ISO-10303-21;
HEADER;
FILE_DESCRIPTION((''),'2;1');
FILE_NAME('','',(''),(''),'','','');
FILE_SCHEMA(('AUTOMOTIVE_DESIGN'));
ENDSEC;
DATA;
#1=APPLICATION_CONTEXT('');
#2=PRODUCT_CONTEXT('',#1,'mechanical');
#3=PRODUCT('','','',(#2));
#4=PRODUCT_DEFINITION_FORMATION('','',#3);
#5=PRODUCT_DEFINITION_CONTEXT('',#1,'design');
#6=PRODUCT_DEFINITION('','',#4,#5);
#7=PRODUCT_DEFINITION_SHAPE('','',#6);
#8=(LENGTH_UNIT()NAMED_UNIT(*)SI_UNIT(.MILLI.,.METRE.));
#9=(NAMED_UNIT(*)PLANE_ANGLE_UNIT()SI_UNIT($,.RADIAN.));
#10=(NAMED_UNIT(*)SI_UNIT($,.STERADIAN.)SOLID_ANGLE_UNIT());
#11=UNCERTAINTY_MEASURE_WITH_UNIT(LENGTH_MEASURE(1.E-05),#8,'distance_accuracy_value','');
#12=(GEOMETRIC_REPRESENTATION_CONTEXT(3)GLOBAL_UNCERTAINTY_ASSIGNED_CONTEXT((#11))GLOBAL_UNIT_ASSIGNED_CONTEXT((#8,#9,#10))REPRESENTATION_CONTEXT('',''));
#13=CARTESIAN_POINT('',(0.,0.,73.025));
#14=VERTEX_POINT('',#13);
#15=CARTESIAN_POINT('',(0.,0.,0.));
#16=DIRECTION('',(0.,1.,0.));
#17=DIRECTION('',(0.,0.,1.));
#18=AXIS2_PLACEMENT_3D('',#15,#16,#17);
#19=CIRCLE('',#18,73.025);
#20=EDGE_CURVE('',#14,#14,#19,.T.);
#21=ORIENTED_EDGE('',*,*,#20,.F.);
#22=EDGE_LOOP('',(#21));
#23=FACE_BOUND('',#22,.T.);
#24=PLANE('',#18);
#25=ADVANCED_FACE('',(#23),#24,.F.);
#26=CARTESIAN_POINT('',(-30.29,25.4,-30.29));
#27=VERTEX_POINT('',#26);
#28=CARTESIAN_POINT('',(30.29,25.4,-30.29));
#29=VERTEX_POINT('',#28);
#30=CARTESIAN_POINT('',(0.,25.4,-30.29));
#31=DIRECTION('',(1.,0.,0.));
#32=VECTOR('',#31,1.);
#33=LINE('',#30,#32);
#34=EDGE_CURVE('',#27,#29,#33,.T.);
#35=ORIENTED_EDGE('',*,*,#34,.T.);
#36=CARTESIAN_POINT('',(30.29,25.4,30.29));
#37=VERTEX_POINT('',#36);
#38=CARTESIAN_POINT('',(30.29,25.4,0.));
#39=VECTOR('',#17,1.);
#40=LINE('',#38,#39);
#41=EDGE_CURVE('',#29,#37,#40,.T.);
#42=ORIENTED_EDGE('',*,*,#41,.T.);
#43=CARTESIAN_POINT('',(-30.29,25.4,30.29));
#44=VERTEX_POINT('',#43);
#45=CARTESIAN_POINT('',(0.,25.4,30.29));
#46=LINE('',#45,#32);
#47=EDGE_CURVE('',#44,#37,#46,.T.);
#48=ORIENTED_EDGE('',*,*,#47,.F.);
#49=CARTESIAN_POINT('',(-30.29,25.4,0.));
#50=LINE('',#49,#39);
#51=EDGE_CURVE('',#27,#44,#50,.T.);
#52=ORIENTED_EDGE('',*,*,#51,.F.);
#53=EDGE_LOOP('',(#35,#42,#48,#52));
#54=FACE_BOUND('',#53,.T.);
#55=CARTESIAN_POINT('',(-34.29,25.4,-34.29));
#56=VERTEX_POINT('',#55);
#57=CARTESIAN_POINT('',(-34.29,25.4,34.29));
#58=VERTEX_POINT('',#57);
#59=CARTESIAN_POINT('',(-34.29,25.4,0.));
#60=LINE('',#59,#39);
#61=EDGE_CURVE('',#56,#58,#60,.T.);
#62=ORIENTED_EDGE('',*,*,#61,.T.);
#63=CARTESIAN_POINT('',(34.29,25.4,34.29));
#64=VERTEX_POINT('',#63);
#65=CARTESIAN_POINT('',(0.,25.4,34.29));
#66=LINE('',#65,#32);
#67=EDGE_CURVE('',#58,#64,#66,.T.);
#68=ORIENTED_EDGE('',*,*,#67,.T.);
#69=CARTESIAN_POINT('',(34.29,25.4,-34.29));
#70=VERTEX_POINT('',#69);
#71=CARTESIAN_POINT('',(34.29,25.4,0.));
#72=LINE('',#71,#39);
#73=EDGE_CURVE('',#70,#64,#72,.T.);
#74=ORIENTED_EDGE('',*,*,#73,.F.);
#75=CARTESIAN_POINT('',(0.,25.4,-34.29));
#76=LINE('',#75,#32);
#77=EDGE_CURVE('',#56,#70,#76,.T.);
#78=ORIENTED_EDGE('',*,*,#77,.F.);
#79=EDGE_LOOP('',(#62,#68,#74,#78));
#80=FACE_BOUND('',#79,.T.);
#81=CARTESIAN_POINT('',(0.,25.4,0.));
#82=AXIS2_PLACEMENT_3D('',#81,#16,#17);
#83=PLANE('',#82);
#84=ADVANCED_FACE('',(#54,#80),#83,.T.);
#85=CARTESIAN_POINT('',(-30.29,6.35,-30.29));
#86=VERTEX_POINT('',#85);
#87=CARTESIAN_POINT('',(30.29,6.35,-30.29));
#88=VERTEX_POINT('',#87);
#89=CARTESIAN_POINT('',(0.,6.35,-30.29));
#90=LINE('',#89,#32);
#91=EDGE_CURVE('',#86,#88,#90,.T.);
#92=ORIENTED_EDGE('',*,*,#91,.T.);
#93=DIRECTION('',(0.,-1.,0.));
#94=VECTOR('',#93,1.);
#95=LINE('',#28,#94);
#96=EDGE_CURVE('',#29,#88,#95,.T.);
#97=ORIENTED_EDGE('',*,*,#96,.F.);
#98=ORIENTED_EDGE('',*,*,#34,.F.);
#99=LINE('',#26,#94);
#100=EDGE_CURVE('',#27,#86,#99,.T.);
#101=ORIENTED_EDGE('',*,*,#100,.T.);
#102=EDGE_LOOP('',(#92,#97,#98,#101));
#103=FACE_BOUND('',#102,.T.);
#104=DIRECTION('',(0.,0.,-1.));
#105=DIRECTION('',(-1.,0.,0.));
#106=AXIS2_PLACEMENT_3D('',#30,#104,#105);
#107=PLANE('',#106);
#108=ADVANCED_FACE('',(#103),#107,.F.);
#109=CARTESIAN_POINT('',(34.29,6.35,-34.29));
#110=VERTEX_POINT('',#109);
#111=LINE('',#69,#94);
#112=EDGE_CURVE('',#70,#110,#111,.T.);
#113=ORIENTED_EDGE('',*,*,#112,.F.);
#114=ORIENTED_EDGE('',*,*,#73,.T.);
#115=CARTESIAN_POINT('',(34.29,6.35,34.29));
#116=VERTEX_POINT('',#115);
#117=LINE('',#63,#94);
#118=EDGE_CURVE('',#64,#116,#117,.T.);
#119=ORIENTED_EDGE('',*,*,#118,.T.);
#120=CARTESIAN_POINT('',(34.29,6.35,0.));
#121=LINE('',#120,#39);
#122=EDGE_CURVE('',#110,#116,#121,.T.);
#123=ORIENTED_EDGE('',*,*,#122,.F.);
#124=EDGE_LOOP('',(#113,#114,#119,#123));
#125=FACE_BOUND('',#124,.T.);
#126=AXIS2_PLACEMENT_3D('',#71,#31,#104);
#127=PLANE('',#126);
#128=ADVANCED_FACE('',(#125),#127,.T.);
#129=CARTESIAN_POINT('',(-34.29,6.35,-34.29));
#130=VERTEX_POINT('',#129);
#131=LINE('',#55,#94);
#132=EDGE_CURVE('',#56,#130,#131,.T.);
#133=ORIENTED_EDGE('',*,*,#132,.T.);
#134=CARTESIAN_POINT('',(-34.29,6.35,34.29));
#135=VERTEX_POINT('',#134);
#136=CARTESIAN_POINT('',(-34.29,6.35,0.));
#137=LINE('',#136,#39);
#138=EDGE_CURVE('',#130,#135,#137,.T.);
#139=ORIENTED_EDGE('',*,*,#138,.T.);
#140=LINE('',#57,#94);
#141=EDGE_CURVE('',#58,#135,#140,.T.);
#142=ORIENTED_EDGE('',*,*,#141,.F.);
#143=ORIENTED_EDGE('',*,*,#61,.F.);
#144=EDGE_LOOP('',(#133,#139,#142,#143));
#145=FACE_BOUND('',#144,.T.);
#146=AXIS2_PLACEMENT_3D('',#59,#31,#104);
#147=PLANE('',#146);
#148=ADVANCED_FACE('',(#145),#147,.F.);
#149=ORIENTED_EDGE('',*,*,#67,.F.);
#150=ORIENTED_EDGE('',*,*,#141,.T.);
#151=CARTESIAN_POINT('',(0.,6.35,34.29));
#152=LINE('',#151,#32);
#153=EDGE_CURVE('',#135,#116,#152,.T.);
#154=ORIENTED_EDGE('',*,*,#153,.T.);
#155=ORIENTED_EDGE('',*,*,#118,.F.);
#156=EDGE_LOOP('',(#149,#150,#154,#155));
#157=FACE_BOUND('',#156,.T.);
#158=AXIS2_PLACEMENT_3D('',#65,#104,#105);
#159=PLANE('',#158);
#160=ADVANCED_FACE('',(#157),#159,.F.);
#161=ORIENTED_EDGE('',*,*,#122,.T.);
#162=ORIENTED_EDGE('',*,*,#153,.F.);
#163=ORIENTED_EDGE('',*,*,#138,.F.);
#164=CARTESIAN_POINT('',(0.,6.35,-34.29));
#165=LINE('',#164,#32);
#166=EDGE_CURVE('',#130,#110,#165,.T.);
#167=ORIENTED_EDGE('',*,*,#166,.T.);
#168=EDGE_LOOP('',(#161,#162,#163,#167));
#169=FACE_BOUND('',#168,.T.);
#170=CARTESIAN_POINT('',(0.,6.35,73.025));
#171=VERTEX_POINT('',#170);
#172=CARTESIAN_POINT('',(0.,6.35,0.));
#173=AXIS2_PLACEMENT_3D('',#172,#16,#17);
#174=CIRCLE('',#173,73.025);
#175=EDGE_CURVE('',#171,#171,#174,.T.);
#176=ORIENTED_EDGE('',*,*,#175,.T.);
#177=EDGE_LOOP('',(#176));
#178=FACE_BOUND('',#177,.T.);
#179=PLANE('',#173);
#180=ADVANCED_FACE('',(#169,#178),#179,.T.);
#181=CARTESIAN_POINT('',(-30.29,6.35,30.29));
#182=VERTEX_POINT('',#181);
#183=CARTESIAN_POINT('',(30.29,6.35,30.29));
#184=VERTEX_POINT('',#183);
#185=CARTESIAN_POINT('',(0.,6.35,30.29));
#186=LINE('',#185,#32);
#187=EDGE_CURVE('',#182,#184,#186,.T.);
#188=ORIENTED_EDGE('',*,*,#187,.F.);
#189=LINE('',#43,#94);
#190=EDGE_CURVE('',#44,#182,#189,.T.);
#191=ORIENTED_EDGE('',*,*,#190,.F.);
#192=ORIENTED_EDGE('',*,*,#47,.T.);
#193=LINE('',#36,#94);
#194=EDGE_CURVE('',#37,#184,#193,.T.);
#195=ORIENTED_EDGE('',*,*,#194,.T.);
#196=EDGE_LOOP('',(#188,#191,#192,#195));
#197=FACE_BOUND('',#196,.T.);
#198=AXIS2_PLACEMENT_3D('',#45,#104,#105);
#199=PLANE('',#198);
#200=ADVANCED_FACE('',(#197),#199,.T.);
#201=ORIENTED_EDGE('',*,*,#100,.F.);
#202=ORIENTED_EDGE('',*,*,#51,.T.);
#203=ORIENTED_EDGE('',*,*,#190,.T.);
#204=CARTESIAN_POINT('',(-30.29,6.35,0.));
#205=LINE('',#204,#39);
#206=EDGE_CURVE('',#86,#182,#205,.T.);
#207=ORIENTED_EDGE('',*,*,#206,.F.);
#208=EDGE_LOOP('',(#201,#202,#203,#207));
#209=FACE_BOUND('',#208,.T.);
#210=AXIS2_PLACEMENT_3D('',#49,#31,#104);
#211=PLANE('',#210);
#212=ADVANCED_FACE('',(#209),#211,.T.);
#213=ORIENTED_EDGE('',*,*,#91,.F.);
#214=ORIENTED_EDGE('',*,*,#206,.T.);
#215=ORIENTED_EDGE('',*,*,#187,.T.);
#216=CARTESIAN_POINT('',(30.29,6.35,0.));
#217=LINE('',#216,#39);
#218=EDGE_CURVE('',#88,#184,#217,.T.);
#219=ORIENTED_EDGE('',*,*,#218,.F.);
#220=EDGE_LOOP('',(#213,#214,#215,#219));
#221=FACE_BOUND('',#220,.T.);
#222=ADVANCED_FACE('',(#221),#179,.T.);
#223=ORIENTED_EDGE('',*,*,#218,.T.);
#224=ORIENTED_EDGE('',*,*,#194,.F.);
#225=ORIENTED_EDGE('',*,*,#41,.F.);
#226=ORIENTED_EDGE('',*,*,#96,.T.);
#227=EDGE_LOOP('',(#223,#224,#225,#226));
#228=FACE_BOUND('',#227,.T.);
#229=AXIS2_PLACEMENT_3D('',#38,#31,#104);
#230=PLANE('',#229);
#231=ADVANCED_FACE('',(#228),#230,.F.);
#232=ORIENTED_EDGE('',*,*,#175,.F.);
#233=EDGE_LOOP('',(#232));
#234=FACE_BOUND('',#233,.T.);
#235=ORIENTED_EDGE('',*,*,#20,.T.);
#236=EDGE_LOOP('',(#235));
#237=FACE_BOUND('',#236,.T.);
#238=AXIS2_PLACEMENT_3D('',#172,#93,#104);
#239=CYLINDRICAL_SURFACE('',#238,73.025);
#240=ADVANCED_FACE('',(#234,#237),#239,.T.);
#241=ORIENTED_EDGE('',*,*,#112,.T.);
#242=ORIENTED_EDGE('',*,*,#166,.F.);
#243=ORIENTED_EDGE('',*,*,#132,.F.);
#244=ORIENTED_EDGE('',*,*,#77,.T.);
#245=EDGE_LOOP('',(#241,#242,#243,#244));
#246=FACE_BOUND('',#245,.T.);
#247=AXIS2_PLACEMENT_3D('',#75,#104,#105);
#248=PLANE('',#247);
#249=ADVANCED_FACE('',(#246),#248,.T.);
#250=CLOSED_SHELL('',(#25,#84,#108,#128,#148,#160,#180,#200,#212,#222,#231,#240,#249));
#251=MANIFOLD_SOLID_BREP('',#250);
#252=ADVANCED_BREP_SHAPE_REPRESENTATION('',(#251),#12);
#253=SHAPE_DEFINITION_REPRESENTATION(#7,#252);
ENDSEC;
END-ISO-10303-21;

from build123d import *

# Parameters (mm, degrees)
SKETCH1_W           = 68.58
SKETCH1_H           = 68.58
SKETCH1_W_2         = 60.58
SKETCH1_H_2         = 60.58
BOSS_EXTRUDE1_DEPTH = 25.4
SKETCH2_R           = 73.025
BOSS_EXTRUDE2_DEPTH = 6.35


with BuildPart() as part:
    # Sketch1 → Boss-Extrude1 (new body)
    with BuildSketch(Plane(origin=(0, 0, 0), x_dir=(1, 0, 0), z_dir=(0, 1, 0))):
        Rectangle(SKETCH1_W, SKETCH1_H)
        Rectangle(SKETCH1_W_2, SKETCH1_H_2, mode=Mode.SUBTRACT)
    extrude(amount=BOSS_EXTRUDE1_DEPTH)

    # Sketch2 → Boss-Extrude2 (add)
    with BuildSketch(Plane(origin=(0, 0, 0), x_dir=(1, 0, 0), z_dir=(0, 1, 0))):
        Circle(SKETCH2_R)
    extrude(amount=BOSS_EXTRUDE2_DEPTH)


solid = part.part
